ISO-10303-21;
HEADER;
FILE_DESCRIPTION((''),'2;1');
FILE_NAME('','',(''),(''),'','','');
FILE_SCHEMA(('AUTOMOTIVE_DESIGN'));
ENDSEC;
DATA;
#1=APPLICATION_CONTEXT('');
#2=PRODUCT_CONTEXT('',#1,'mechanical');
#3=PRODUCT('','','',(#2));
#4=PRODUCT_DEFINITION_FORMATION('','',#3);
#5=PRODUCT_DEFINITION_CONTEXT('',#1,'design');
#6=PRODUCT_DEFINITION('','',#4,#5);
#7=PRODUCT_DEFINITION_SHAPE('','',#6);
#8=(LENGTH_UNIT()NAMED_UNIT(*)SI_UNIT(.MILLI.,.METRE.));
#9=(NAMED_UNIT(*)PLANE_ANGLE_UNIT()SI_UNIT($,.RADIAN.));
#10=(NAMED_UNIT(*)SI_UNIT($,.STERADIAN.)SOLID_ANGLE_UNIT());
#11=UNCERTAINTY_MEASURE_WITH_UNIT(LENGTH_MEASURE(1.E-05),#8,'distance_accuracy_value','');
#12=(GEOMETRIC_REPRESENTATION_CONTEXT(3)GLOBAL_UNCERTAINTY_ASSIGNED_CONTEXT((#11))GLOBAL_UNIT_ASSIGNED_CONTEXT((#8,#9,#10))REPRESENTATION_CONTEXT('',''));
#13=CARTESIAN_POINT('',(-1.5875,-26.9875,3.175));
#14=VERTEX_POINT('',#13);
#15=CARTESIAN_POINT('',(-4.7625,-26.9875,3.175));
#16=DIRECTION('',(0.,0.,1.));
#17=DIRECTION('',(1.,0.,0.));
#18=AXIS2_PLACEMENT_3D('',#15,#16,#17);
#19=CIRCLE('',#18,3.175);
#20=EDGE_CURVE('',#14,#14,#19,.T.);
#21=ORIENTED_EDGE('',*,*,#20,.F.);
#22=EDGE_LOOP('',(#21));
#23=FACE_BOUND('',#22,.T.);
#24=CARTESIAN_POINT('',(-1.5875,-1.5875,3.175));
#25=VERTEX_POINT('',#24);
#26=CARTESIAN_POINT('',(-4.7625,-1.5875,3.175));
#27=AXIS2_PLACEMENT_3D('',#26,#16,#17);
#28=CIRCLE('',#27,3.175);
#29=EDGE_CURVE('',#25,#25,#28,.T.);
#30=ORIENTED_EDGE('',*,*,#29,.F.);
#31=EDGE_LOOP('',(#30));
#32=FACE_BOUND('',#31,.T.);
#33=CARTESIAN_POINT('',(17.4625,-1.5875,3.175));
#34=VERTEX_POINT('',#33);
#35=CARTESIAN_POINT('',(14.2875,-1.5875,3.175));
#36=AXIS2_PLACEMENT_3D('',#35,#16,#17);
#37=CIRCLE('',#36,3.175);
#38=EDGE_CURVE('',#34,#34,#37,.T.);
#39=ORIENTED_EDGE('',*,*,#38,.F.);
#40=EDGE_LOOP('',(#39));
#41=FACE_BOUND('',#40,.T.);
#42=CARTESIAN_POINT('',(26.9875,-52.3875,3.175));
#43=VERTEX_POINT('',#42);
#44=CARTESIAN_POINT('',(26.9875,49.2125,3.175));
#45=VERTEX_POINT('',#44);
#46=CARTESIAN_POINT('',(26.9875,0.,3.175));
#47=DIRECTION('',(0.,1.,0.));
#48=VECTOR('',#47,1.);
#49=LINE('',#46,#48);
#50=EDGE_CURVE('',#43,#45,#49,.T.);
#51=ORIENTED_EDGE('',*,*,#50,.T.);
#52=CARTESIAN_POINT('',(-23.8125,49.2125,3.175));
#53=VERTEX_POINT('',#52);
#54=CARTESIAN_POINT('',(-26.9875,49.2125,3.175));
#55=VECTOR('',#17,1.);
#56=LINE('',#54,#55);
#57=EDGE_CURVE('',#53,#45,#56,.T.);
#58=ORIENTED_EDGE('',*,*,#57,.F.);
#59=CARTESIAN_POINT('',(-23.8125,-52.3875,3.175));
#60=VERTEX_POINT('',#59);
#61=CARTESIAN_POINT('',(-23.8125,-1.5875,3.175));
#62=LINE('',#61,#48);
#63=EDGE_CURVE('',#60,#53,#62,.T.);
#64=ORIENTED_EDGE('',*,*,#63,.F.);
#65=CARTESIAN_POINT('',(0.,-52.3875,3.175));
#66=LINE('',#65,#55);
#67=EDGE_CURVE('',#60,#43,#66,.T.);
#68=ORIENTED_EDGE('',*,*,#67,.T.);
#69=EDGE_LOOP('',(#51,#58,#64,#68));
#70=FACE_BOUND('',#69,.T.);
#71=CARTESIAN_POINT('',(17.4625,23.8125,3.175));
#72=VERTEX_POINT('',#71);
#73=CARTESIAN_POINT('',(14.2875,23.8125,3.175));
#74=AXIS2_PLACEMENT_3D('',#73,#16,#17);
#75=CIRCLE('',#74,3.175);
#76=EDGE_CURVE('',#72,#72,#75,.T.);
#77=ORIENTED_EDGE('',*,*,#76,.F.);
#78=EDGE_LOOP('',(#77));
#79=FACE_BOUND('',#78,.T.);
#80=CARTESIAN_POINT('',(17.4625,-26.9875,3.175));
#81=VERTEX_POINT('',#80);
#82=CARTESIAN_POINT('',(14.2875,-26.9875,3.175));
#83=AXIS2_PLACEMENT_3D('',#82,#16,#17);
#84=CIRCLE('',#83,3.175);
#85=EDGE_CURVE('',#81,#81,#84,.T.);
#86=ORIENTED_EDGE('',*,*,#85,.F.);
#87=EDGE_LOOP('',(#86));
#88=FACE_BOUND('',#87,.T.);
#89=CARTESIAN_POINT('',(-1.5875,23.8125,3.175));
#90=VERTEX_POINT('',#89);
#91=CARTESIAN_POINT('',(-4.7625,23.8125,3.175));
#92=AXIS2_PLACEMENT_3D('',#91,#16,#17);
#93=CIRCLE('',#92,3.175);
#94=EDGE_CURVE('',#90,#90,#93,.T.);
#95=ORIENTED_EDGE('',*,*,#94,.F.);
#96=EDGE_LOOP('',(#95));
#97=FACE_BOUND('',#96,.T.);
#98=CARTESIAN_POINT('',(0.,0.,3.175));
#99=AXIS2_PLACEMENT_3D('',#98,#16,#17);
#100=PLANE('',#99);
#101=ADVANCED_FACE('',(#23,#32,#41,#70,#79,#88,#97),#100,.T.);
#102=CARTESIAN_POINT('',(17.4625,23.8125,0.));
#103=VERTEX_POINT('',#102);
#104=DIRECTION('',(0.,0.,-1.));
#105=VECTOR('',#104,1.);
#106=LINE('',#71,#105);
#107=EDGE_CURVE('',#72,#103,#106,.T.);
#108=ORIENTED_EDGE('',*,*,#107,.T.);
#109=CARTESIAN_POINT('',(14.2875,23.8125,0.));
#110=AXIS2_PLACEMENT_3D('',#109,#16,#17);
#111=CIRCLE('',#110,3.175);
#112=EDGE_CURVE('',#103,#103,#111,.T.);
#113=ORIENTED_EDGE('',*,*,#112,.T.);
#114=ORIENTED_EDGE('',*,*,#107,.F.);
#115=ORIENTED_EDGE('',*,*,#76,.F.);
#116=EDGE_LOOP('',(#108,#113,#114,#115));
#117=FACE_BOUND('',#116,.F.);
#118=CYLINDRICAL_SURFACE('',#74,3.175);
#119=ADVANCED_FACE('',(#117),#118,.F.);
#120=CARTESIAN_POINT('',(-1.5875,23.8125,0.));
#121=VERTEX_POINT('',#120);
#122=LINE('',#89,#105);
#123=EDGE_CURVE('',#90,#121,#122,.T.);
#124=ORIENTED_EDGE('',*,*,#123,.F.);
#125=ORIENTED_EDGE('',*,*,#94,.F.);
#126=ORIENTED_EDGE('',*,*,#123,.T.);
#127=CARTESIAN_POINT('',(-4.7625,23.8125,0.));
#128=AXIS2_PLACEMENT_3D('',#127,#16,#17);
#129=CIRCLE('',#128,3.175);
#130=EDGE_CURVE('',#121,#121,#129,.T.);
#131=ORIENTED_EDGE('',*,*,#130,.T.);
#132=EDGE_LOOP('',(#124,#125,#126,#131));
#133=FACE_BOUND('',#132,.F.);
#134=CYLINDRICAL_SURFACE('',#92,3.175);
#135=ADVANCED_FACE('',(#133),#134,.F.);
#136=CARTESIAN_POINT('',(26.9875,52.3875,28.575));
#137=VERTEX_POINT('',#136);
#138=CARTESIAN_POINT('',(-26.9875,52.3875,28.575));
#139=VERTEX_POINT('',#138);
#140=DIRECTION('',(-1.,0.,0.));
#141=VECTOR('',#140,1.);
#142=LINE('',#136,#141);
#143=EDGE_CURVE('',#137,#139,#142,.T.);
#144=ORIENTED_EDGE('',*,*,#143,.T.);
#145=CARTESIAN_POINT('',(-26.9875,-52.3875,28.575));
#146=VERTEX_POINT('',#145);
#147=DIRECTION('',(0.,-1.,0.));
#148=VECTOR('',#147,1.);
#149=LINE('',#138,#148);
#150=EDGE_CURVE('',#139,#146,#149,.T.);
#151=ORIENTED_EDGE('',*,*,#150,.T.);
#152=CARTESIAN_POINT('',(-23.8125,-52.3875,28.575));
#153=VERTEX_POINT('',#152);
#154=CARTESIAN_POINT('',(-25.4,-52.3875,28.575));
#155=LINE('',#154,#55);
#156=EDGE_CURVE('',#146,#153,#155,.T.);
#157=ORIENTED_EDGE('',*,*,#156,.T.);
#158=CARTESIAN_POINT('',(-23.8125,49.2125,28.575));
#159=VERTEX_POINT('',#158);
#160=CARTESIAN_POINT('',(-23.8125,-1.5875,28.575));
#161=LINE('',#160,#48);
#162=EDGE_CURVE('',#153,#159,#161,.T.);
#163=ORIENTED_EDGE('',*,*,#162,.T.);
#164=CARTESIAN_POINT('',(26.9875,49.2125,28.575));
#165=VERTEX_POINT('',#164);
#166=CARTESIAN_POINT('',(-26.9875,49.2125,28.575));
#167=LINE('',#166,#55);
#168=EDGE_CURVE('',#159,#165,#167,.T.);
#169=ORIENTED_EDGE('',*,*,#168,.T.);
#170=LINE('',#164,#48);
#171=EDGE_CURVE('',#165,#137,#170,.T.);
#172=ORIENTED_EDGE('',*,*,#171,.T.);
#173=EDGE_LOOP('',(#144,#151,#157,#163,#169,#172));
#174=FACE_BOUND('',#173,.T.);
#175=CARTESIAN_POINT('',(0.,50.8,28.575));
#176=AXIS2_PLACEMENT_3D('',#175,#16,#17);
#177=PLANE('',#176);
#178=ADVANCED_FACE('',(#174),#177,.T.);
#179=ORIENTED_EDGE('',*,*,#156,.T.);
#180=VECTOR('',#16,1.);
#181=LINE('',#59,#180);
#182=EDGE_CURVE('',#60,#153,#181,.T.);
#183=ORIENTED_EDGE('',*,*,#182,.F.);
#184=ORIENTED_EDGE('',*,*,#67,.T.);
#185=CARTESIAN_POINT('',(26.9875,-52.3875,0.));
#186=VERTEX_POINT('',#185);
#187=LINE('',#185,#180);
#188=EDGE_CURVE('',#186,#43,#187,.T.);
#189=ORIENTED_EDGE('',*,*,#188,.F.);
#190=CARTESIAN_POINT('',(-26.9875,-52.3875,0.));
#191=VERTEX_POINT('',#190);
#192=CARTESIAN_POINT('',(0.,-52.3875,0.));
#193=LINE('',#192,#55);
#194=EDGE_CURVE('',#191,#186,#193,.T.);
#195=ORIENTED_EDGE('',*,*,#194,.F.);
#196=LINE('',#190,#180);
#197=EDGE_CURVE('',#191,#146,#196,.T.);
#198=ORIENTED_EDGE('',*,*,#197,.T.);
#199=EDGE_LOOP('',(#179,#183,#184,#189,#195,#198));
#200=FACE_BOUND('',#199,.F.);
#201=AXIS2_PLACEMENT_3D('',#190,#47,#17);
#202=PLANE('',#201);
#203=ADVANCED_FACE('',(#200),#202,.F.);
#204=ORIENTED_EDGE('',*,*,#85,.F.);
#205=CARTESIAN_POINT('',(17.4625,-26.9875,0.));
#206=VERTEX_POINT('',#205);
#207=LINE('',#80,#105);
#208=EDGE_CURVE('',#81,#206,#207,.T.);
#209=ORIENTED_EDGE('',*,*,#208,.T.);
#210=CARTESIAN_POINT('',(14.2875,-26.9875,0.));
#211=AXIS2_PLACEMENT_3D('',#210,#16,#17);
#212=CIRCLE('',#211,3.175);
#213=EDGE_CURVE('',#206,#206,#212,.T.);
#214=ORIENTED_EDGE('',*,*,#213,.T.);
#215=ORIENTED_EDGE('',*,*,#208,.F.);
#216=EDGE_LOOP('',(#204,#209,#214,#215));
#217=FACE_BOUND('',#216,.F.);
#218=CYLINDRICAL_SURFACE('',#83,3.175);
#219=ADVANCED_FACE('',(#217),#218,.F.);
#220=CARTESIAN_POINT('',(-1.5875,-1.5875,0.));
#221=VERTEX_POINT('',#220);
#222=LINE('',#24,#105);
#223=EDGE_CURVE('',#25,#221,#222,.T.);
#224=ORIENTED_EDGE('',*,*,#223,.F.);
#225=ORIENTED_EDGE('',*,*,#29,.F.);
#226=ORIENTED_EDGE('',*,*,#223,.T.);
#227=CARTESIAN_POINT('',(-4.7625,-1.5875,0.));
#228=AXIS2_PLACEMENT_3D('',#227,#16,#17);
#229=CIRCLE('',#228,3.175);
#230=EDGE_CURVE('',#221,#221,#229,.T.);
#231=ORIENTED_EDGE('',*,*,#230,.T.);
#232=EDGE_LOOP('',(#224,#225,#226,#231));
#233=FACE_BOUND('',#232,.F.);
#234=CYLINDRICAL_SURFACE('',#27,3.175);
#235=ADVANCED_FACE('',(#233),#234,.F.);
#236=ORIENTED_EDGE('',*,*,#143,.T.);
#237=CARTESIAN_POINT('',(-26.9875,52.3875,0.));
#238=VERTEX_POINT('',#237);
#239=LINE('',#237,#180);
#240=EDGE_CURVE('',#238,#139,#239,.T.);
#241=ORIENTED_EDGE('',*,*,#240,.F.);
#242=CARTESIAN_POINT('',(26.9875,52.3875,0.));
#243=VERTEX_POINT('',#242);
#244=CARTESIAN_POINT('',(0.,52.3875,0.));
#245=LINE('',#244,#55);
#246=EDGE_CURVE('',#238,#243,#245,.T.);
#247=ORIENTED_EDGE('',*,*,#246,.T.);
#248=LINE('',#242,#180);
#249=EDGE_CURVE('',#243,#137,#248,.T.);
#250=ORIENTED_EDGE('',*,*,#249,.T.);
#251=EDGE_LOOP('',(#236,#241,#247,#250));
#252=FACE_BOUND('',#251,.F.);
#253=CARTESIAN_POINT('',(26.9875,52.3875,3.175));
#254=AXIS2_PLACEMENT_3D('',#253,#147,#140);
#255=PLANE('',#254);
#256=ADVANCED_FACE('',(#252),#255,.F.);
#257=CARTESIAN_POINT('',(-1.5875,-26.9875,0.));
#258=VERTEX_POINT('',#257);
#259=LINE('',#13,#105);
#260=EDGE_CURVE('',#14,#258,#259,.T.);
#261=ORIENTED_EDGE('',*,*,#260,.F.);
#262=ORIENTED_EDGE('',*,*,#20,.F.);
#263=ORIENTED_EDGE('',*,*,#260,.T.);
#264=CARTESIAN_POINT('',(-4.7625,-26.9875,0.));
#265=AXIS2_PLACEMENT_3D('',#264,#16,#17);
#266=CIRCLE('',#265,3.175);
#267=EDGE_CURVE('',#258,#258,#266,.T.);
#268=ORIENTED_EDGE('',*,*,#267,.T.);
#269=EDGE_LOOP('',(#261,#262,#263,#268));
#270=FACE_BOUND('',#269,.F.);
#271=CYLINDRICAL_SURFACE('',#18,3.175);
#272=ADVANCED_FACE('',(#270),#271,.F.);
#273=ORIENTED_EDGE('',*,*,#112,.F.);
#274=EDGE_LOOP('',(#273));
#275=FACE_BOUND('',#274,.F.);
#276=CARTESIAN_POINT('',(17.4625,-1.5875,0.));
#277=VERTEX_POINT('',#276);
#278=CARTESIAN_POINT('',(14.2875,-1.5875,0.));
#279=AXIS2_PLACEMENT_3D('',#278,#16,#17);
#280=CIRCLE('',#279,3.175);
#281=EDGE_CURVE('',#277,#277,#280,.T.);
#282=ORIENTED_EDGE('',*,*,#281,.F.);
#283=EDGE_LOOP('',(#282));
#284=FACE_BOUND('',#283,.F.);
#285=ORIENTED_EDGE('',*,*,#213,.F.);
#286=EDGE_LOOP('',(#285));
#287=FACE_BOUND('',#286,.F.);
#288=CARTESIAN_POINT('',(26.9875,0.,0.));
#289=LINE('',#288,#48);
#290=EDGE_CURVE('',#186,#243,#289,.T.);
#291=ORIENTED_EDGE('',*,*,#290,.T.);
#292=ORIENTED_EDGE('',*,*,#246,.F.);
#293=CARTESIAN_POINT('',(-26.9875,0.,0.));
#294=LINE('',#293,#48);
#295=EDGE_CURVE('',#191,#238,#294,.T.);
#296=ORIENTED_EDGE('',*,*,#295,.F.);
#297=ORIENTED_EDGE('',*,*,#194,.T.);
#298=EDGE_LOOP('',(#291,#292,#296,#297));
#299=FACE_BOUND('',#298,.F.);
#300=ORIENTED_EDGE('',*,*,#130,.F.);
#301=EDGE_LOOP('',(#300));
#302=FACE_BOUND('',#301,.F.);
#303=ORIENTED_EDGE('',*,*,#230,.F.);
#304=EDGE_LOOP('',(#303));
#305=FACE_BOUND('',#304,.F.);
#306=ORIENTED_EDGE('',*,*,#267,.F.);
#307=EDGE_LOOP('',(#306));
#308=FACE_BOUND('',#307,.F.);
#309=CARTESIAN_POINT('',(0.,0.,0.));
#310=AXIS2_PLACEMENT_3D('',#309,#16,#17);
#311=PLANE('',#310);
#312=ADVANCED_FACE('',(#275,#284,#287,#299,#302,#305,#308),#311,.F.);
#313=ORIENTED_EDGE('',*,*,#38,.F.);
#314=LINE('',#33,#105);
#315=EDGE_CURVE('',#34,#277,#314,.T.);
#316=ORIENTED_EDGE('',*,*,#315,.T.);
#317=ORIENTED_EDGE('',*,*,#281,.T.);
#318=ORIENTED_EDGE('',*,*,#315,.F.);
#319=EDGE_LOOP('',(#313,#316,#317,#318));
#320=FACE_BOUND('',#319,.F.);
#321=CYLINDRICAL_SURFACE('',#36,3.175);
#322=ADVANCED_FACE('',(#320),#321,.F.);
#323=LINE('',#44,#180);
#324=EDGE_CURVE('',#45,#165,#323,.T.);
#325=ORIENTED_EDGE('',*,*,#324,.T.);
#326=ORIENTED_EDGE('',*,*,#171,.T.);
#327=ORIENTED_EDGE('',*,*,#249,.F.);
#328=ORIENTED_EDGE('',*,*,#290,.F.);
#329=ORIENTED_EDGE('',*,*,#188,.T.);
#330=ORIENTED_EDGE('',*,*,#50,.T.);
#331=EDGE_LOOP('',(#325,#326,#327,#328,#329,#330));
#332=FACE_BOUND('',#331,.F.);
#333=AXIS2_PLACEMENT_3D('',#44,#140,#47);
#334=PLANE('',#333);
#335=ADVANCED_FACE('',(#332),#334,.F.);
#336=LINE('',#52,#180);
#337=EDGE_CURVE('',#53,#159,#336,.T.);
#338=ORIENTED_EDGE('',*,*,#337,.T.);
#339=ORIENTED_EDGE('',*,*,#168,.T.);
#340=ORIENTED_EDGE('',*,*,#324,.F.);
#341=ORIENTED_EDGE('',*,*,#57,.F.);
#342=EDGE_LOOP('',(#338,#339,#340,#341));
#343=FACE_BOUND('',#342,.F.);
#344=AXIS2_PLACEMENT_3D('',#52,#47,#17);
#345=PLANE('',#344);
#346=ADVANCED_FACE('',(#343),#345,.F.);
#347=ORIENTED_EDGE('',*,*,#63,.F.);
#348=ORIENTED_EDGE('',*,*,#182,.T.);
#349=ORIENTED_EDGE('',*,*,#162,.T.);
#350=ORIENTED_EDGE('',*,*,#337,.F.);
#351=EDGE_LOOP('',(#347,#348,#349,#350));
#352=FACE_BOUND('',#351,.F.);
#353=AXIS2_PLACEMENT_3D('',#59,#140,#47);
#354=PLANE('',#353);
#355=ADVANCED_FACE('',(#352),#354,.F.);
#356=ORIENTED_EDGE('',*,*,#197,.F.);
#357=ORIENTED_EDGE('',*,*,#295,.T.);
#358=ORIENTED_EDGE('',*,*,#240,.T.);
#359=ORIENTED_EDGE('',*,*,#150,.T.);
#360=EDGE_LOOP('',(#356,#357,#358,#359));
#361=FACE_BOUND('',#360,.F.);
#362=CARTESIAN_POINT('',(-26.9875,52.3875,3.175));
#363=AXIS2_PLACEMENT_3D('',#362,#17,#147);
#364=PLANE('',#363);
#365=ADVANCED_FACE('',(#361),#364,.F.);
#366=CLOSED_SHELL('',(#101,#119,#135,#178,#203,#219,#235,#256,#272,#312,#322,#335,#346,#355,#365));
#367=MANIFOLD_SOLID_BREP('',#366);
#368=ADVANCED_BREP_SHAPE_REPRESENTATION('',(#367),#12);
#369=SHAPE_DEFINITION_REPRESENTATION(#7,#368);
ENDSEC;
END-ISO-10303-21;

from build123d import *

# Parameters (mm, degrees)
F0_W     = 53.975
F0_H     = 104.775
F1_DEPTH = 3.175
F3_W     = 3.175
F3_H     = 101.6
F4_DEPTH = 25.4
F2_R     = 3.175
F5_DEPTH = 25.4


with BuildPart() as f1:
    # F0 (on Top) → F1 (new body)
    with BuildSketch(Plane.XY):
        Rectangle(F0_W, F0_H)
    extrude(amount=F1_DEPTH)

    # F3 (on face) → F4 (join)
    with BuildSketch(Plane.XY.offset(3.175)):
        Polygon((-23.8125, 49.2125), (26.9875, 49.2125), (26.9875, 52.3875), (-26.9875, 52.3875), (-26.9875, 49.2125), align=None)
        with Locations((-25.4, -1.5875)):
            Rectangle(F3_W, F3_H)
    extrude(amount=F4_DEPTH)

    # F2 (on face) → F5 (cut)
    with BuildSketch(Plane.XY.offset(3.175)):
        with Locations((-4.7625, 23.8125)):
            Circle(F2_R)
        with Locations((14.2875, 23.8125)):
            Circle(F2_R)
        with Locations((-4.7625, -1.5875)):
            Circle(F2_R)
        with Locations((14.2875, -1.5875)):
            Circle(F2_R)
        with Locations((-4.7625, -26.9875)):
            Circle(F2_R)
        with Locations((14.2875, -26.9875)):
            Circle(F2_R)
    extrude(amount=-F5_DEPTH, mode=Mode.SUBTRACT)


solid = f1.part
